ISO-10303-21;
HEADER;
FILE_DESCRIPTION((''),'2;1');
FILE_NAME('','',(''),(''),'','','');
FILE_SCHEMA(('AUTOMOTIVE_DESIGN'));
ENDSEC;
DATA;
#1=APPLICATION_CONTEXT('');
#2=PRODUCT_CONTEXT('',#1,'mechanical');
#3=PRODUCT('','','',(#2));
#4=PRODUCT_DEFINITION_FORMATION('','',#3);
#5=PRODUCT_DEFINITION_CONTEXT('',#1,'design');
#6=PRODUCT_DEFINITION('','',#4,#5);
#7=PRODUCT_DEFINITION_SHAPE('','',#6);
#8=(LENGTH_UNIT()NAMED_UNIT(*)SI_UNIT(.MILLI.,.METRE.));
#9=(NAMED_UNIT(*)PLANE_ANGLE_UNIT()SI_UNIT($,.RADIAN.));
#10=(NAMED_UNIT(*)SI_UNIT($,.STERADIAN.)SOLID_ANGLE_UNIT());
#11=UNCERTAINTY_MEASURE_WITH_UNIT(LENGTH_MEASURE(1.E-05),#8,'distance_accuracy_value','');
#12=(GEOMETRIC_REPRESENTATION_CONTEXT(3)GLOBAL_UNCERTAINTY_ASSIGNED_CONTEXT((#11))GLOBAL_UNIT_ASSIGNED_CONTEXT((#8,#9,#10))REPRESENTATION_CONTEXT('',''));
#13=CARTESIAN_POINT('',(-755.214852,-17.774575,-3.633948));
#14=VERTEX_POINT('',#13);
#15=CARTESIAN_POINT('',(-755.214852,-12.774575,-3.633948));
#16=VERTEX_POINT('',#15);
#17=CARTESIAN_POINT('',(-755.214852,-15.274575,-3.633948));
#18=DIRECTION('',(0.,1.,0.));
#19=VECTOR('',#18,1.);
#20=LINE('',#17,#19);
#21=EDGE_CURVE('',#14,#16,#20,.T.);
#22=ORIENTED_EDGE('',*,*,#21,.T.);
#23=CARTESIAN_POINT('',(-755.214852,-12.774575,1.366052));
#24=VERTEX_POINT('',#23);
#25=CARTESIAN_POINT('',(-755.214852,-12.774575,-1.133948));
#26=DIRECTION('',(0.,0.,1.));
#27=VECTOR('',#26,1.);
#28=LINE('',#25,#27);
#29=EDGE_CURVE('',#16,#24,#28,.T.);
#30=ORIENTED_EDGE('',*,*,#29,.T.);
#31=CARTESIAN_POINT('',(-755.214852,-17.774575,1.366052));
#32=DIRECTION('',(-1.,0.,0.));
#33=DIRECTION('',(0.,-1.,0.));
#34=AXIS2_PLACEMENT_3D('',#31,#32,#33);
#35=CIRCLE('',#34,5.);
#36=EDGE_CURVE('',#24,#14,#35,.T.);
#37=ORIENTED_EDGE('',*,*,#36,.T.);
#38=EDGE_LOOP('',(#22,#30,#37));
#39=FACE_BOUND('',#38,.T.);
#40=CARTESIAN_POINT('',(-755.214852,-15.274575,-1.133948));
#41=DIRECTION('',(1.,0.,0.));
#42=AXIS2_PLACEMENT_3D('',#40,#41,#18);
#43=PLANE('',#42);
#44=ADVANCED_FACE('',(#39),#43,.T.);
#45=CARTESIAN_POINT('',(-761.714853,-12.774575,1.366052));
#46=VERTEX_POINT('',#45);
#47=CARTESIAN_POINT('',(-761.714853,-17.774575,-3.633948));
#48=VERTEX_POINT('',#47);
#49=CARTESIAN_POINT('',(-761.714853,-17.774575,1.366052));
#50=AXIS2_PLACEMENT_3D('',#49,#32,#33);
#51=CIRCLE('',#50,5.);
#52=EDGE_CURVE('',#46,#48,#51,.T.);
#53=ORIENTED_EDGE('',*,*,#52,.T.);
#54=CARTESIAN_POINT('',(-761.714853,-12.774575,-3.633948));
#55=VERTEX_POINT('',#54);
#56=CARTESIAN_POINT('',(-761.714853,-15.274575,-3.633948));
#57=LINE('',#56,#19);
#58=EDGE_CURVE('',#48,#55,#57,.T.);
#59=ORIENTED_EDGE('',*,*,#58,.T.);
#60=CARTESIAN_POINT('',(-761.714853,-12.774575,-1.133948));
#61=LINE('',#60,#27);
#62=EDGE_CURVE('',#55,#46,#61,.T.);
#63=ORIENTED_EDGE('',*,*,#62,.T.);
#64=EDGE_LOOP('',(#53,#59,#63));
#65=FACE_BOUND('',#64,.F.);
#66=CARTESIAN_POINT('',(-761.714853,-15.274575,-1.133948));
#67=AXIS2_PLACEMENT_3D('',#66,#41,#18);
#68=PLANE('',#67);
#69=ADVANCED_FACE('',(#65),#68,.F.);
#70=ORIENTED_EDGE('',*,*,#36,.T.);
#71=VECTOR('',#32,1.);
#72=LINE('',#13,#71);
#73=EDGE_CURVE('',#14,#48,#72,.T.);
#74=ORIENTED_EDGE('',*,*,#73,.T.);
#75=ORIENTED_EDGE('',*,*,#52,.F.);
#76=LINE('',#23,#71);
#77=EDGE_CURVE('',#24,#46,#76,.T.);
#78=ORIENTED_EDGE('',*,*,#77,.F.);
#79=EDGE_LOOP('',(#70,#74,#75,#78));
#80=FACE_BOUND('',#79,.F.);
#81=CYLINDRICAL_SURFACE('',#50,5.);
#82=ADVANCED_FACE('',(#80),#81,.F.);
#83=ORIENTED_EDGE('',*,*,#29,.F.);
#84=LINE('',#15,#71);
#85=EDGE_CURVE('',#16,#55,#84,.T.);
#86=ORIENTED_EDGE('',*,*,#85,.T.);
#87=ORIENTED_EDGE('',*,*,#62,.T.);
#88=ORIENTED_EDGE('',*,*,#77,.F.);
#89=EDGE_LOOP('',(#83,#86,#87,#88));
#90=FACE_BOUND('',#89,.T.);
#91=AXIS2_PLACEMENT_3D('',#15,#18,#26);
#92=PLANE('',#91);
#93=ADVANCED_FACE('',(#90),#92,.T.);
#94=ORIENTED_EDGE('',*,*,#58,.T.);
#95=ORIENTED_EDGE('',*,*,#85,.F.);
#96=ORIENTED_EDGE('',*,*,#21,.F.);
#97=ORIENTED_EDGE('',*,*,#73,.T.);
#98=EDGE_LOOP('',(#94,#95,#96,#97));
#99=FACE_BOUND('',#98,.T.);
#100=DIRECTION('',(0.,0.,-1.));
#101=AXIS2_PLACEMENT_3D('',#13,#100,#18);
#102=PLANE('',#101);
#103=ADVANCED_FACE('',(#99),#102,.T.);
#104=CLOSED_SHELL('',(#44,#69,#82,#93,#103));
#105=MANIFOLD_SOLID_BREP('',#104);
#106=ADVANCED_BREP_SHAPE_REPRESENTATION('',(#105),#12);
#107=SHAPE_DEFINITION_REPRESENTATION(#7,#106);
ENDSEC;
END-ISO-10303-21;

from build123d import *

# Parameters (mm, degrees)
CIRCLE008_R        = 5
EXTRUSION037_DEPTH = 6.500001
RECTANGLE020_W     = 5
RECTANGLE020_H     = 5
EXTRUSION036_DEPTH = 6.500001


with BuildPart() as extrusion037:
    # Circle008 (on Extrusion) → Extrusion037 (new body)
    with BuildSketch(Plane(origin=(-761.714853, -17.774575, 1.366052), x_dir=(0, -1, 0), z_dir=(-1, 0, 0))):
        Circle(CIRCLE008_R)
    extrude(amount=-EXTRUSION037_DEPTH)


with BuildPart() as cut004006005004002008019023005025018:
    # Rectangle020 (on Cut) → Extrusion036 (new body)
    with BuildSketch(Plane(origin=(-755.214852, -17.774575, -3.633948), x_dir=(0, 1, 0), z_dir=(1, 0, 0))):
        with Locations((2.5, 2.5)):
            Rectangle(RECTANGLE020_W, RECTANGLE020_H)
    extrude(amount=-EXTRUSION036_DEPTH)

    # Cut004006005004002008019023005025018: cut Extrusion037
    add(extrusion037.part, mode=Mode.SUBTRACT)


solid = cut004006005004002008019023005025018.part
